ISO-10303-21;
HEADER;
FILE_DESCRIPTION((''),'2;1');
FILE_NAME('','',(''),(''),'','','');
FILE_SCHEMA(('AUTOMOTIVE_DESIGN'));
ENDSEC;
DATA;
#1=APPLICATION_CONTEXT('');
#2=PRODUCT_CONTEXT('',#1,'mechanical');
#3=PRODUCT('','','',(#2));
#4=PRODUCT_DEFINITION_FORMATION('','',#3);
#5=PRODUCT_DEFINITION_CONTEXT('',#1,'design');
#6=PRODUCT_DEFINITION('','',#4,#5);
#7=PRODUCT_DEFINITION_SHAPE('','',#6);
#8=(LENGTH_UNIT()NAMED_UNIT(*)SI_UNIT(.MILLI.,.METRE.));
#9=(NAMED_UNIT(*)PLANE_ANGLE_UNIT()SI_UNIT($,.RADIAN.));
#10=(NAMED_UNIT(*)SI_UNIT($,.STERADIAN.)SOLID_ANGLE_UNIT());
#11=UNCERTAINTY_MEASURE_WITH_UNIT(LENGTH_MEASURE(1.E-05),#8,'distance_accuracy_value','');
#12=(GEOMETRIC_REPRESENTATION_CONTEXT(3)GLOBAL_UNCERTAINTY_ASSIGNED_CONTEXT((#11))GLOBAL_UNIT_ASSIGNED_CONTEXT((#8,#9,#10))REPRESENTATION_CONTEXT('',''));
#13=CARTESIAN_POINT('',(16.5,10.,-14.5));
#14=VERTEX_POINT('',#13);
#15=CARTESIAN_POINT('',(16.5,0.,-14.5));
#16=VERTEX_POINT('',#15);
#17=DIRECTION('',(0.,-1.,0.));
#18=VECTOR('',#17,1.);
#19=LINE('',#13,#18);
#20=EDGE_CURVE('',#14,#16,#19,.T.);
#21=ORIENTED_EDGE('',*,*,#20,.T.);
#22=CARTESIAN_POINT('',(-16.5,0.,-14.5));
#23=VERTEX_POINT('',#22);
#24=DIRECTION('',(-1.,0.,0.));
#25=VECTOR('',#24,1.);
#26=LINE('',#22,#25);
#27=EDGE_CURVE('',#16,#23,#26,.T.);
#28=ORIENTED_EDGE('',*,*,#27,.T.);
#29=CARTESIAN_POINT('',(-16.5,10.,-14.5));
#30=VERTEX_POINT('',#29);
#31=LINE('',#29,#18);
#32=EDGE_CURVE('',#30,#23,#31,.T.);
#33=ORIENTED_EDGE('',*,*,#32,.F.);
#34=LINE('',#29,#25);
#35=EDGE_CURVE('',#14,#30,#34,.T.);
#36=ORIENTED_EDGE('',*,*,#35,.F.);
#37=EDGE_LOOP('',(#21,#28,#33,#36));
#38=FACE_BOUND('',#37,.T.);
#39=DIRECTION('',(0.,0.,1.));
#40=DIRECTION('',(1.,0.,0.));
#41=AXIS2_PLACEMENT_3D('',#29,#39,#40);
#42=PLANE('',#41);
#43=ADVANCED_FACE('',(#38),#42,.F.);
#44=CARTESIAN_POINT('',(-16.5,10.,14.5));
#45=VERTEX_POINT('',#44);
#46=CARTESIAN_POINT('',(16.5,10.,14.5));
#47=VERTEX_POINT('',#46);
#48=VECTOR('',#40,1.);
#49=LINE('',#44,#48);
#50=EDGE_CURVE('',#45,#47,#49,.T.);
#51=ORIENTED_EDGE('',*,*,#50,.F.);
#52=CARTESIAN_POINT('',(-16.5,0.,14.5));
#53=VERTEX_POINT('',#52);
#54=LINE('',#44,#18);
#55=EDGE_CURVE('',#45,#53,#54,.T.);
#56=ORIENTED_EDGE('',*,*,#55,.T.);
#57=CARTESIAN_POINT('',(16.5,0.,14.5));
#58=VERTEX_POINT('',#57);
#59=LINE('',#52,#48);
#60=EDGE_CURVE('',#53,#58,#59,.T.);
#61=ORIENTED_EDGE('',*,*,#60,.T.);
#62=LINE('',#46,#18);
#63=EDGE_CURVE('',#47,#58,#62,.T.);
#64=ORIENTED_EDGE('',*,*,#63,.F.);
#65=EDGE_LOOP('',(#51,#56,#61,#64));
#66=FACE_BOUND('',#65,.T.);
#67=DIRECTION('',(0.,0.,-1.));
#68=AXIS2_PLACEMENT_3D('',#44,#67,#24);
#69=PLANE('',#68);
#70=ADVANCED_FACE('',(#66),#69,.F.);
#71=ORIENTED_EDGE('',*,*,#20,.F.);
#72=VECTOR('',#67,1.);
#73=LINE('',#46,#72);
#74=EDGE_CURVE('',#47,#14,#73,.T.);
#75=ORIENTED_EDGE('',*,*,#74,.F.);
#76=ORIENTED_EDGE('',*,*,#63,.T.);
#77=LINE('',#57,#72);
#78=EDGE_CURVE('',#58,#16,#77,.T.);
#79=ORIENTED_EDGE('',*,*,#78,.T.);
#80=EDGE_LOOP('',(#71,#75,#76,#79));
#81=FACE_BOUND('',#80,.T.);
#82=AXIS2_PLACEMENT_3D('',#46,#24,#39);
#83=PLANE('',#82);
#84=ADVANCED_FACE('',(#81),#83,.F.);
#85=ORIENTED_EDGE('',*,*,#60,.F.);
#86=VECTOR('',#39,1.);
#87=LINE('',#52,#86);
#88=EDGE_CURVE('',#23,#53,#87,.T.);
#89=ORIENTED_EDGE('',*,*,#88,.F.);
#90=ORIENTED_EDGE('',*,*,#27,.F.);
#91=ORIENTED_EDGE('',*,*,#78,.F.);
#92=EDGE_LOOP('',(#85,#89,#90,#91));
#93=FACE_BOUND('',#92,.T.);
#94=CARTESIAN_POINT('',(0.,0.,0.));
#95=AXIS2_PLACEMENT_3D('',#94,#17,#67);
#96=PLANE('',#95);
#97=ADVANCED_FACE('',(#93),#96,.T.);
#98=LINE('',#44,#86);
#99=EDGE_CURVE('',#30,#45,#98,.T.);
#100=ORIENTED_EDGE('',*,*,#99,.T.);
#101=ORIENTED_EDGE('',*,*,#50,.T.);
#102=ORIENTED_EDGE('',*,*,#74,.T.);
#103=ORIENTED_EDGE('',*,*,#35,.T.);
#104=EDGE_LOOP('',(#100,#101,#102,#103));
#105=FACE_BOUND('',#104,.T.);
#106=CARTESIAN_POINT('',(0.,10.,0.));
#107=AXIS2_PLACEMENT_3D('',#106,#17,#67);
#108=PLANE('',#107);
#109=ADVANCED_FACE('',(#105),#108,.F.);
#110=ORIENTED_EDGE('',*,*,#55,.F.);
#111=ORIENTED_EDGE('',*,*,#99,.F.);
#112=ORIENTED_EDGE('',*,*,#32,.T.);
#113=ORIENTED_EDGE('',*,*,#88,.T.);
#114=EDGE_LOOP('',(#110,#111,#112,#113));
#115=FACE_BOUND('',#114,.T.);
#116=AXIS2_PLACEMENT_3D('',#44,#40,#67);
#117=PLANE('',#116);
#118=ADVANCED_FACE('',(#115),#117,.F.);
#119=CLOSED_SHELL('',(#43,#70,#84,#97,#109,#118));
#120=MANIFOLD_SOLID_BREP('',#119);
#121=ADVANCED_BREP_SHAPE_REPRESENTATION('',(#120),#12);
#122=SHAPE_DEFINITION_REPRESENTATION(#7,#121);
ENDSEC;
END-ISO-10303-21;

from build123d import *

# Parameters (mm, degrees)
SKETCH_1_W      = 33
SKETCH_1_H      = 29
EXTRUDE_1_DEPTH = 10


with BuildPart() as part:
    # Эскиз1 → Бобышка-Вытянуть1 (new body)
    with BuildSketch(Plane(origin=(0, 0, 0), x_dir=(1, 0, 0), z_dir=(0, 1, 0))):
        Rectangle(SKETCH_1_W, SKETCH_1_H)
    extrude(amount=EXTRUDE_1_DEPTH)


solid = part.part
